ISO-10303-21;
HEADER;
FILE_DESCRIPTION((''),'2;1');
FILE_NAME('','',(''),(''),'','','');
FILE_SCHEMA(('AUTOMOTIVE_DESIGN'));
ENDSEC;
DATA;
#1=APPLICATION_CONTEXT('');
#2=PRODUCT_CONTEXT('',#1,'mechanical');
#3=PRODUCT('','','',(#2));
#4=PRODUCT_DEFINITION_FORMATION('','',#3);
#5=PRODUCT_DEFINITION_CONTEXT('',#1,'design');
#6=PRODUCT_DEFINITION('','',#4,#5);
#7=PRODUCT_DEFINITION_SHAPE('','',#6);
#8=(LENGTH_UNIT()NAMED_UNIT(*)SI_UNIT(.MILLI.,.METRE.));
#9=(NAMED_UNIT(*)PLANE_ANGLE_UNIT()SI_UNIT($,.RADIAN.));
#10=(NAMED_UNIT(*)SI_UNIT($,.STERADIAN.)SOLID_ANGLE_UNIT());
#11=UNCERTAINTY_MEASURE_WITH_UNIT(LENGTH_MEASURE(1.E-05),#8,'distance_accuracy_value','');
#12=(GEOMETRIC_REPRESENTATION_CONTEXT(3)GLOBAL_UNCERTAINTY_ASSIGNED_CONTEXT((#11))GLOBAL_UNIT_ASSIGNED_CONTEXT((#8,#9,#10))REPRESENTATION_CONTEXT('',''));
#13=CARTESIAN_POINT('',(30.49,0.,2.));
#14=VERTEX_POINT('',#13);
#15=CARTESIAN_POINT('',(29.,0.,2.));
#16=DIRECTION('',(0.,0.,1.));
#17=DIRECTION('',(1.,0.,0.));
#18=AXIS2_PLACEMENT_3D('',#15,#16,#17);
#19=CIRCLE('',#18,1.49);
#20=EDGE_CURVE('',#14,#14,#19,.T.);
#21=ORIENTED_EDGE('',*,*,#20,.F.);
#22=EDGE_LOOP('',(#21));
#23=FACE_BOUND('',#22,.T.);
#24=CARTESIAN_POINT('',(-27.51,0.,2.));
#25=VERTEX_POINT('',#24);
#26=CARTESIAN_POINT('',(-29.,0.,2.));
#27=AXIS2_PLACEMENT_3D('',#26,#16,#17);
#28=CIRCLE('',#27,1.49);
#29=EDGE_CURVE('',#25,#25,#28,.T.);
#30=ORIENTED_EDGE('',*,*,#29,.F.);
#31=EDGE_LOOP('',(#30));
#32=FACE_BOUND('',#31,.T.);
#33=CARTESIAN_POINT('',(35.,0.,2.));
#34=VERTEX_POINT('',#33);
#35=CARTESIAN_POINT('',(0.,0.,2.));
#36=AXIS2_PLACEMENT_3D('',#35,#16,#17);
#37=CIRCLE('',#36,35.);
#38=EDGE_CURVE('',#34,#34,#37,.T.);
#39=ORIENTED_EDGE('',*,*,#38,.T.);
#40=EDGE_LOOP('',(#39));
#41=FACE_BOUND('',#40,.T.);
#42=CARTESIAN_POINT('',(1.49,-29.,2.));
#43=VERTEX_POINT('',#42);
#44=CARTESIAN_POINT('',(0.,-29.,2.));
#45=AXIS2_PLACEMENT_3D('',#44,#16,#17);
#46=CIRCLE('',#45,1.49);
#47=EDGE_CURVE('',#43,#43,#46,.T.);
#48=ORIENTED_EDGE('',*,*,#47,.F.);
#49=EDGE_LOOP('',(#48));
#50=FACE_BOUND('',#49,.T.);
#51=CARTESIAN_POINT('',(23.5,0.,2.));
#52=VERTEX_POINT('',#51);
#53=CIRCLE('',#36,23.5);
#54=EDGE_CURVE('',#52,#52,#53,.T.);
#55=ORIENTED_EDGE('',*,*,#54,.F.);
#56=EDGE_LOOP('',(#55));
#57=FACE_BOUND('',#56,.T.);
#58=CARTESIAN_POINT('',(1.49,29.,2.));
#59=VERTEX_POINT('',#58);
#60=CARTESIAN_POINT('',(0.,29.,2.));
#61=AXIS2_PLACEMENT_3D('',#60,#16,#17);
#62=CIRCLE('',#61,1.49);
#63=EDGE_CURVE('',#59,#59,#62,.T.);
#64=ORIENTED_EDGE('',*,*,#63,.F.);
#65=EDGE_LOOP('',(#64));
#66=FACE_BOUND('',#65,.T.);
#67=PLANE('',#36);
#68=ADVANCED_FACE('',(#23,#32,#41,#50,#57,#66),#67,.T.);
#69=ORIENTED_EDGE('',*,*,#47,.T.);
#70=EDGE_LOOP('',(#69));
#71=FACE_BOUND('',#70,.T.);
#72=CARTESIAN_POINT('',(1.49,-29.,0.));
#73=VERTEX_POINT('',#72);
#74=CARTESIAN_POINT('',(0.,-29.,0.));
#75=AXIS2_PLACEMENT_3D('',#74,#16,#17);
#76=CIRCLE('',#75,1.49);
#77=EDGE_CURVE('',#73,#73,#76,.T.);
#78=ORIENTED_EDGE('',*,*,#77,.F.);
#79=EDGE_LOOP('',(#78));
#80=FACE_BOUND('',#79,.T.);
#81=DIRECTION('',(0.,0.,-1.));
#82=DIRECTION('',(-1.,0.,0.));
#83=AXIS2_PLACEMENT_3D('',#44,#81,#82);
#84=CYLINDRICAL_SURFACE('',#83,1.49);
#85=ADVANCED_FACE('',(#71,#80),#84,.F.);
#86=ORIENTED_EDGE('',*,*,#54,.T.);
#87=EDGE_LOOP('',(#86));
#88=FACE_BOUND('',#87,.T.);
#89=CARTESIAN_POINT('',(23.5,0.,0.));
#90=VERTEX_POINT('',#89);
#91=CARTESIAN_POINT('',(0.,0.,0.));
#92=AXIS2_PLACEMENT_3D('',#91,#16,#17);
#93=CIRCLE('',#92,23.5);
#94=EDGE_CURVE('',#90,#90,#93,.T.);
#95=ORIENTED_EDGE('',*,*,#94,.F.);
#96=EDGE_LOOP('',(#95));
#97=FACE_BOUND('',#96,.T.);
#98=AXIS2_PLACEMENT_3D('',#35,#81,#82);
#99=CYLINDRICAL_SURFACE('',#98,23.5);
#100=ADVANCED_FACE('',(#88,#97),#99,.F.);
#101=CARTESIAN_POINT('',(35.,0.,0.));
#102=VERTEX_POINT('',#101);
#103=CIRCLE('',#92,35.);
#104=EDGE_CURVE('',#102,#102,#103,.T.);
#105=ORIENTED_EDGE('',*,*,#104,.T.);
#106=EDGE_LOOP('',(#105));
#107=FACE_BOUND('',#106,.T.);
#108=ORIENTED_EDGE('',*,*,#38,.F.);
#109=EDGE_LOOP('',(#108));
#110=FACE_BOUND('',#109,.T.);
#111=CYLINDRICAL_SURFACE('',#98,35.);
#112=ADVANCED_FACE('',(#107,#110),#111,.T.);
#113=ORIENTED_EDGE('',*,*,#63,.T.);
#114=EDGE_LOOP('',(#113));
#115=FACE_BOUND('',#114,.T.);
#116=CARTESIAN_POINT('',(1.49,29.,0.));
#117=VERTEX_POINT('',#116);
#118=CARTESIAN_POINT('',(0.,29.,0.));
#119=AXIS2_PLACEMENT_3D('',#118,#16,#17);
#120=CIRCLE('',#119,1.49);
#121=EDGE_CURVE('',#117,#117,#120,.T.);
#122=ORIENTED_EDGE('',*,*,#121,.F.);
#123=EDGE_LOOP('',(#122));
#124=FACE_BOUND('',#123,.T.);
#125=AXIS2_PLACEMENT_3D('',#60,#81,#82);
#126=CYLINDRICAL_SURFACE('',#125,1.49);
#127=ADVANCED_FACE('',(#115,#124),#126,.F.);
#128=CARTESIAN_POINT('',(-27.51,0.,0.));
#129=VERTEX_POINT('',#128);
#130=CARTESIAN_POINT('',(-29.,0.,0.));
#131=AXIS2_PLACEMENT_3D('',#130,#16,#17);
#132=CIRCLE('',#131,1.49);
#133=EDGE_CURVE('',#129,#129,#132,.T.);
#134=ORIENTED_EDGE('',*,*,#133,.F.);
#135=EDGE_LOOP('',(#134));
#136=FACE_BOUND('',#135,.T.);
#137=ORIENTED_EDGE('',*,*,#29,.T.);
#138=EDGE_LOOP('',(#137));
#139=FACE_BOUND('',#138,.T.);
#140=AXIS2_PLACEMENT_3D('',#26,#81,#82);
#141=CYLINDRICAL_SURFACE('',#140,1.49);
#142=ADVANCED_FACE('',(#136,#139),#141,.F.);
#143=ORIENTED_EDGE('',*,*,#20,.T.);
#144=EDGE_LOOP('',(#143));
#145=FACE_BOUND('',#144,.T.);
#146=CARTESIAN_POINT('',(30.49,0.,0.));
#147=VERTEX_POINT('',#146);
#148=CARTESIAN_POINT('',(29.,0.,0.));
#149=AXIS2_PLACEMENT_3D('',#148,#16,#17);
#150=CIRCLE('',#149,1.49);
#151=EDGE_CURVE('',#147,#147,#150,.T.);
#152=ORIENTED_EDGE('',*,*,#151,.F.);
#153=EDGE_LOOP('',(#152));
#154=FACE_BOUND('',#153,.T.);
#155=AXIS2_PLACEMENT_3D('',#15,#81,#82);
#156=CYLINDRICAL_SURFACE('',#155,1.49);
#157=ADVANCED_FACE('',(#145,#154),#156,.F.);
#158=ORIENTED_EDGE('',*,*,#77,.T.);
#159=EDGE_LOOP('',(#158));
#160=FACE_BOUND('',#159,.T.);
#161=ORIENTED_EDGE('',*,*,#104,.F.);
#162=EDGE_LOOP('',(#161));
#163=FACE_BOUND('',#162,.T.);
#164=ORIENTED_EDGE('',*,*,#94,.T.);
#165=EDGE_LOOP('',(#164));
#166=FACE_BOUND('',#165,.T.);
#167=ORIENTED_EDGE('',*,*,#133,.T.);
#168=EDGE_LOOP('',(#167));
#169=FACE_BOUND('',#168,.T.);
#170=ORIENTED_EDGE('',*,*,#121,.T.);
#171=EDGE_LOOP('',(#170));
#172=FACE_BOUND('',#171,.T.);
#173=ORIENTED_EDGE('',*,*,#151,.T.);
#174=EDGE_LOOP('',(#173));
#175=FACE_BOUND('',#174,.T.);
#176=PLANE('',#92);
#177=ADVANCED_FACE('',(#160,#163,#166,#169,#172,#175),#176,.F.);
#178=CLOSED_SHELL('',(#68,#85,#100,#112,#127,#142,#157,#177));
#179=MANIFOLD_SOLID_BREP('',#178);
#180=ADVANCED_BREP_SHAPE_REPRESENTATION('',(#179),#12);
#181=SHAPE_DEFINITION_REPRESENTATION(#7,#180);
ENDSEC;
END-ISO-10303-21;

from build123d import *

# Parameters (mm, degrees)
SKETCH1_R           = 35
SKETCH1_R_2         = 23.5
SKETCH1_R_3         = 1.49
BOSS_EXTRUDE1_DEPTH = 2


with BuildPart() as part:
    # Sketch1 → Boss-Extrude1 (new body)
    with BuildSketch(Plane.XY):
        Circle(SKETCH1_R)
        Circle(SKETCH1_R_2, mode=Mode.SUBTRACT)
        with Locations((29, 0)):
            Circle(SKETCH1_R_3, mode=Mode.SUBTRACT)
        with Locations((0, 29)):
            Circle(SKETCH1_R_3, mode=Mode.SUBTRACT)
        with Locations((-29, 0)):
            Circle(SKETCH1_R_3, mode=Mode.SUBTRACT)
        with Locations((0, -29)):
            Circle(SKETCH1_R_3, mode=Mode.SUBTRACT)
    extrude(amount=BOSS_EXTRUDE1_DEPTH)


solid = part.part
